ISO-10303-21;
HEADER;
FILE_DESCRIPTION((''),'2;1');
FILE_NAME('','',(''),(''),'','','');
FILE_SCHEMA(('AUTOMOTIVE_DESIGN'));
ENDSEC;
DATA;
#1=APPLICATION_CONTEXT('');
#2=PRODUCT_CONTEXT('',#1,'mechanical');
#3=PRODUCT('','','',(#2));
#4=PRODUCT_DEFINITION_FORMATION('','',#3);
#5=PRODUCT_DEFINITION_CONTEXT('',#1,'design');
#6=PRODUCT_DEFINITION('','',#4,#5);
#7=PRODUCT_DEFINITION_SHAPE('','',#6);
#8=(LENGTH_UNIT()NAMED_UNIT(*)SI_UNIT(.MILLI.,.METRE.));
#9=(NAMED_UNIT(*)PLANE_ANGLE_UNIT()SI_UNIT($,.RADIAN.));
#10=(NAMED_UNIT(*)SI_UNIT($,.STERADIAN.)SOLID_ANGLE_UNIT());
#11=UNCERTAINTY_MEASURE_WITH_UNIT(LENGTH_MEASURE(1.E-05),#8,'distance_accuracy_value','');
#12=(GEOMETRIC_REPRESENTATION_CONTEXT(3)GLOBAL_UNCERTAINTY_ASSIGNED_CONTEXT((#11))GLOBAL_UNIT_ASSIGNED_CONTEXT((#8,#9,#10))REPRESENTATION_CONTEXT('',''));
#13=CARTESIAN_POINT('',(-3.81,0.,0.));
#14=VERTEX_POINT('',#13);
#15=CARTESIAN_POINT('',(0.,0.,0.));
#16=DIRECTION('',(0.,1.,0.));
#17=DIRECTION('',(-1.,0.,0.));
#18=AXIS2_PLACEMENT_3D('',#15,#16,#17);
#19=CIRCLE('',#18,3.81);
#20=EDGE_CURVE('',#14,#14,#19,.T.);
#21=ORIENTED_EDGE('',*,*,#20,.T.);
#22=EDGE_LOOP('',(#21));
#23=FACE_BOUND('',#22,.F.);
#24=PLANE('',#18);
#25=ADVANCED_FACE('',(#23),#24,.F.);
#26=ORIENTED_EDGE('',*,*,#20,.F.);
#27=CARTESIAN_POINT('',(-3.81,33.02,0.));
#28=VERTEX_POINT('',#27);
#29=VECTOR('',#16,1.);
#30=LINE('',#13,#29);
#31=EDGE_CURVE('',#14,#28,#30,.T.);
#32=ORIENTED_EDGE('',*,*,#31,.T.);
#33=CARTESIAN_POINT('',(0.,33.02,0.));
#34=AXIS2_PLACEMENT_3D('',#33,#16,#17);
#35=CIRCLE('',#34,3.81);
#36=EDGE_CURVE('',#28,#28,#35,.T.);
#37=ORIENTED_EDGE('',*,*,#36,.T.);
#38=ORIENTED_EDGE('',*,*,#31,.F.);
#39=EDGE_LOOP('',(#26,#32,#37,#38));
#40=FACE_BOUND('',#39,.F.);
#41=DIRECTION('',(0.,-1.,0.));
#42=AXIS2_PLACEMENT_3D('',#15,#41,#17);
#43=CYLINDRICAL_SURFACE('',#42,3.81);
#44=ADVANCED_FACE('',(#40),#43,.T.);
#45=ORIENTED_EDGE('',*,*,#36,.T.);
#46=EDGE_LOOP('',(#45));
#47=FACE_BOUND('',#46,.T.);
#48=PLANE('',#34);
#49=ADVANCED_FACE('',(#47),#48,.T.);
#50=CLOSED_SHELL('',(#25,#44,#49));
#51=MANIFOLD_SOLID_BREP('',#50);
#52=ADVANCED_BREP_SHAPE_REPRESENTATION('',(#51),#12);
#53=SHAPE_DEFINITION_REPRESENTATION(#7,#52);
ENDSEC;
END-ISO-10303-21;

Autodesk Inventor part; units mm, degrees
ref_plane "YZ Plane" through (0, 0, 0) normal (1, 0, 0) x (0, 1, 0)
ref_plane "XZ Plane" through (0, 0, 0) normal (0, 1, 0) x (-1, 0, 0)
ref_plane "XY Plane" through (0, 0, 0) normal (0, 0, 1) x (1, 0, 0)
sketch "Sketch1" plane through (0, 0, 0) normal (0, 1, 0) x (-1, 0, 0)
  circle A0 centre (0, 0) radius 3.81
  dimension "d0" = 7.62
extrude "Extrusion1" add sketch "Sketch1" along normal blind 33.02
properties part number "KillSwitchStandoff"
